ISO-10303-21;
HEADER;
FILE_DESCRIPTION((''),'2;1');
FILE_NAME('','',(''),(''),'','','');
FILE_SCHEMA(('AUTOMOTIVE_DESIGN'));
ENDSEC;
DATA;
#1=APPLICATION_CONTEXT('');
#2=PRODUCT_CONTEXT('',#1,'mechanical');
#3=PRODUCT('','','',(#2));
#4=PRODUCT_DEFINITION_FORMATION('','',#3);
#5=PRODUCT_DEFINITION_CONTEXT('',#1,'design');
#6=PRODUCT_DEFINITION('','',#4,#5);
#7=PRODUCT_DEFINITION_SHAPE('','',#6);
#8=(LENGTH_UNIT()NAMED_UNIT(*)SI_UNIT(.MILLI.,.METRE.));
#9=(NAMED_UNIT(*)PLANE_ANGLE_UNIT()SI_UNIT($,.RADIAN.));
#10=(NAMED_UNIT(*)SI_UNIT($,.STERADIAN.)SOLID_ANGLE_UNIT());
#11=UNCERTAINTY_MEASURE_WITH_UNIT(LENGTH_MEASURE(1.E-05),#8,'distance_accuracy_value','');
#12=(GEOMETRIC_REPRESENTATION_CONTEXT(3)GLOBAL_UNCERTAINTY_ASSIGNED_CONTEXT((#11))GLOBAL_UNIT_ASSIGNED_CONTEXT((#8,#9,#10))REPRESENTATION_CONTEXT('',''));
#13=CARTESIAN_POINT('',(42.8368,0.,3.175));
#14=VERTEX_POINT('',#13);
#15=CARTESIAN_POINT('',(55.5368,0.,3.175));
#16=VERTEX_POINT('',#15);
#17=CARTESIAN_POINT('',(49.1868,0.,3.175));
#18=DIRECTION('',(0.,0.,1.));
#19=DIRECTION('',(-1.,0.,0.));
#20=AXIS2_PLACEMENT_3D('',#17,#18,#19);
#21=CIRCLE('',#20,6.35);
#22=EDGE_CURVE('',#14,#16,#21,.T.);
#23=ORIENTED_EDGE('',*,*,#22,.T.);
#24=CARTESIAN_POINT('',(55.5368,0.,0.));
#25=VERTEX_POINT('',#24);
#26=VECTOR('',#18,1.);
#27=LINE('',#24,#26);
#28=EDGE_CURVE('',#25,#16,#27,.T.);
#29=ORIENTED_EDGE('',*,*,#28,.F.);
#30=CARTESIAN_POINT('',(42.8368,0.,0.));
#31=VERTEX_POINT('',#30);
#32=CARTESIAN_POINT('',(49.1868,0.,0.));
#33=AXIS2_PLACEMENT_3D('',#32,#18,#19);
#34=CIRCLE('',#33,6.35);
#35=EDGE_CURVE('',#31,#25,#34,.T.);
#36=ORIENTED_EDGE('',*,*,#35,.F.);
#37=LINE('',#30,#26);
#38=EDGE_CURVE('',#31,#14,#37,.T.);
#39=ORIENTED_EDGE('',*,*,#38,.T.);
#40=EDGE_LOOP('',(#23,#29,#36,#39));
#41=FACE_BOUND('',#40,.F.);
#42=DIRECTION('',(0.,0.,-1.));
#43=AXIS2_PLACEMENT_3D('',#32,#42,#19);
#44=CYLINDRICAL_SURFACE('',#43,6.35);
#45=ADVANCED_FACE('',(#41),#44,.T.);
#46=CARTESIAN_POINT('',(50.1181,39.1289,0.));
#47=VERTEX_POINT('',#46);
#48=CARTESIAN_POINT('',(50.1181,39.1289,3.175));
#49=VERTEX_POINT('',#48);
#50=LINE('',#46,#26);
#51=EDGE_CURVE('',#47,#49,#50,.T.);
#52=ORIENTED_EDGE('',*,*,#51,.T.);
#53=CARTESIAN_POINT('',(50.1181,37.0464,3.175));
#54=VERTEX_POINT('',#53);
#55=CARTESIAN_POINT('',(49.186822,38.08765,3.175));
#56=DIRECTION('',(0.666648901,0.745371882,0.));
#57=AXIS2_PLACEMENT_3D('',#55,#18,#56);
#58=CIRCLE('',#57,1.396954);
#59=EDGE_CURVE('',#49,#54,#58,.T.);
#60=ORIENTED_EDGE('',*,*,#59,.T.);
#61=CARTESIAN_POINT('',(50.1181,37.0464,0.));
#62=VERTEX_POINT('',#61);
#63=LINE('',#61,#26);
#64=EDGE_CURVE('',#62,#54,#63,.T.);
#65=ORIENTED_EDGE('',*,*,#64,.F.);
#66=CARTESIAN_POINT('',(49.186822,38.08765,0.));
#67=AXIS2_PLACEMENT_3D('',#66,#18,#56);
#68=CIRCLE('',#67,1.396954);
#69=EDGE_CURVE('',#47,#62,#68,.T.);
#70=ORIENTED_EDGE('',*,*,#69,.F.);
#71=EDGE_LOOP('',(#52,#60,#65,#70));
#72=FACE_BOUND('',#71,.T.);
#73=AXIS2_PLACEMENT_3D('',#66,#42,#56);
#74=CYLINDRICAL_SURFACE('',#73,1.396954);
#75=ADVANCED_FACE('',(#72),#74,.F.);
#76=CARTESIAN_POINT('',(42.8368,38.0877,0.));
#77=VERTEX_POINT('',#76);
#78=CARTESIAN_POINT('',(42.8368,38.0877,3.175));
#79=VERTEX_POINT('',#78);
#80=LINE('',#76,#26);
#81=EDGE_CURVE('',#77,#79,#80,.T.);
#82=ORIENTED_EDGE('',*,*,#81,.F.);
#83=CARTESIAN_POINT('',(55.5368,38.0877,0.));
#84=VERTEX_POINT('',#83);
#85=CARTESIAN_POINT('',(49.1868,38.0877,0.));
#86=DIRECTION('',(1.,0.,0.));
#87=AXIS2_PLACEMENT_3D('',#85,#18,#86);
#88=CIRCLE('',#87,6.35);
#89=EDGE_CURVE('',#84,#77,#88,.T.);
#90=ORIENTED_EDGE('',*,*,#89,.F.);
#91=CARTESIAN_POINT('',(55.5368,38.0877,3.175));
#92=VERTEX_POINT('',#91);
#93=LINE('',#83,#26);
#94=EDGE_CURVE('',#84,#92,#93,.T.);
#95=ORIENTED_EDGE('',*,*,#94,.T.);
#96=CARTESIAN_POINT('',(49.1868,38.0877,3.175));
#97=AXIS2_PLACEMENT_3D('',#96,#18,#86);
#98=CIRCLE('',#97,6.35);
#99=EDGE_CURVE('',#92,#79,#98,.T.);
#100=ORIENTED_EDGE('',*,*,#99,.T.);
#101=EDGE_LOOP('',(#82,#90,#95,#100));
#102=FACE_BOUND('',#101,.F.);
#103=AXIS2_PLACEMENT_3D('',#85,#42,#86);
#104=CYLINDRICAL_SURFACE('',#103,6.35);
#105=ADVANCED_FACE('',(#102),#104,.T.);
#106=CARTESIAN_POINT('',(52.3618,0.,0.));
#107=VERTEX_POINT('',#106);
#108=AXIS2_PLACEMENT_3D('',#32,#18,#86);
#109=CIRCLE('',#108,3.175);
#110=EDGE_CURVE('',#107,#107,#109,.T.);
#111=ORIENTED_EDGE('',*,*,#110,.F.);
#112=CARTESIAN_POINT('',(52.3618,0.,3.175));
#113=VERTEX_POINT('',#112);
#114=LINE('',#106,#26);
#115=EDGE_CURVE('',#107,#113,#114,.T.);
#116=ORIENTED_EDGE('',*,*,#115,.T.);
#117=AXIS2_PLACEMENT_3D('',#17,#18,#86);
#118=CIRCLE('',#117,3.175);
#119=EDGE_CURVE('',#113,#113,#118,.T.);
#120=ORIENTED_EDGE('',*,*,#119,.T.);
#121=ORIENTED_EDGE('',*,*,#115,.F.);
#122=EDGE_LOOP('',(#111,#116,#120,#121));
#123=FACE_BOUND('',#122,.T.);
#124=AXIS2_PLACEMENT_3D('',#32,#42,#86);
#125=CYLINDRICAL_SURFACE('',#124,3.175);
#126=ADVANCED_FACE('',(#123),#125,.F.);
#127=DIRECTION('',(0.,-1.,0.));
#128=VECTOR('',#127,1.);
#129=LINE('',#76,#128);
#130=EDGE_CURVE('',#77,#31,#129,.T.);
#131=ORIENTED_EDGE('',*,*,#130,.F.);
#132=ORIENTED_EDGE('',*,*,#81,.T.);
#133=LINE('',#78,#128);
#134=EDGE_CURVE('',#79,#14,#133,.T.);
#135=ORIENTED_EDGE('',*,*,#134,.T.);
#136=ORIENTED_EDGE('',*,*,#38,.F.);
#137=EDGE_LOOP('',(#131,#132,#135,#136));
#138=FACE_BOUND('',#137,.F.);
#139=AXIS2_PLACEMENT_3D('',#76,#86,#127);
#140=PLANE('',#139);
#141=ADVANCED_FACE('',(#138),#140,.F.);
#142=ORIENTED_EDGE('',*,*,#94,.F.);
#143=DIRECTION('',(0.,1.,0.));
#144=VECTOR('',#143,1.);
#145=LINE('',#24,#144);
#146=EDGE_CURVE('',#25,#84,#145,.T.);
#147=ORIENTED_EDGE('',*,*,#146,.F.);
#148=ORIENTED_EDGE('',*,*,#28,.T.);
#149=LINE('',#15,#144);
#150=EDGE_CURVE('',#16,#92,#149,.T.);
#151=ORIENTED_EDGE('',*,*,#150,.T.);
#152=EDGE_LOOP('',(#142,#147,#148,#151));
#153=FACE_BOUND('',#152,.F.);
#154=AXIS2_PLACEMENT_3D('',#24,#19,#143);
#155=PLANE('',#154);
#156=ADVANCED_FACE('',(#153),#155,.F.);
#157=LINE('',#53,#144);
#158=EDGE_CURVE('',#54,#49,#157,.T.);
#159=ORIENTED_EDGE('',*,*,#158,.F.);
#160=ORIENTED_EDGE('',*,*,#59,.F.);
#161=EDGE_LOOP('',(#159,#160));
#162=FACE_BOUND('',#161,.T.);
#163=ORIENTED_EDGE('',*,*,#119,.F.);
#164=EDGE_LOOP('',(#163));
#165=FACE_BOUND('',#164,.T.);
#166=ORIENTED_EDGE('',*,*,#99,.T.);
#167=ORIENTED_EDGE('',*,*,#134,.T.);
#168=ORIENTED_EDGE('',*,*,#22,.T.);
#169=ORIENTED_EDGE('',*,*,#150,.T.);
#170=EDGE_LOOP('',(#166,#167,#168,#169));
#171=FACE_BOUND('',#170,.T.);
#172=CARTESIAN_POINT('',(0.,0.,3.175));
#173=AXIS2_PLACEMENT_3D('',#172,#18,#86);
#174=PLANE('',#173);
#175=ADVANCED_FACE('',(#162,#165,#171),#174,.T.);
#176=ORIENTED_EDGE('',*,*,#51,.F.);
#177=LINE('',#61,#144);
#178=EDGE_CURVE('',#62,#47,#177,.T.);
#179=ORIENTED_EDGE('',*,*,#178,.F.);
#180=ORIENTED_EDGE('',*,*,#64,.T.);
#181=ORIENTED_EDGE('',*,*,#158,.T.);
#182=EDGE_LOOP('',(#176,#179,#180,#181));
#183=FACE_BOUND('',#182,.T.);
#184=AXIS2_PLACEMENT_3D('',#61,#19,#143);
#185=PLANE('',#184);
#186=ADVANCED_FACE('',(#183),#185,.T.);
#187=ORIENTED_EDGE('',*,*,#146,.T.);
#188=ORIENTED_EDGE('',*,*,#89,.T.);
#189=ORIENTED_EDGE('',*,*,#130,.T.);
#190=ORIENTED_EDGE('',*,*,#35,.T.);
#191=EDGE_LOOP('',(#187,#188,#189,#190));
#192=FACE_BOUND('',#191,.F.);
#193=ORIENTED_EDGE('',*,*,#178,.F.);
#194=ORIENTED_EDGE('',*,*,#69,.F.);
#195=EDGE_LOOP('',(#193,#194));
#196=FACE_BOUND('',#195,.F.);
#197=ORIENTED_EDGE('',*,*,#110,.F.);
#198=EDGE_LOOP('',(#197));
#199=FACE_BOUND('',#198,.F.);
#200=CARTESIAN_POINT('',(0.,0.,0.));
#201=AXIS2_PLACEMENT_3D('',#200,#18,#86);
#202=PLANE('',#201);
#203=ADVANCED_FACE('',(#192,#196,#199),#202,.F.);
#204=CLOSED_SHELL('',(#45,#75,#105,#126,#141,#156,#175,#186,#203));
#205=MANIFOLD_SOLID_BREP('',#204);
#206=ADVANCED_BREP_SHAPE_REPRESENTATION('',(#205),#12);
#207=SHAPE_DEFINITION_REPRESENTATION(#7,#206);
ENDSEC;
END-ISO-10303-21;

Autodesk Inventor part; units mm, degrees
ref_plane "YZ Plane" through (0, 0, 0) normal (1, 0, 0) x (0, 1, 0)
ref_plane "XZ Plane" through (0, 0, 0) normal (0, 1, 0) x (-1, 0, 0)
ref_plane "XY Plane" through (0, 0, 0) normal (0, 0, 1) x (1, 0, 0)
sketch "Sketch1" plane through (0, 0, 0) normal (0, 0, 1) x (1, 0, 0)
  circle A0 centre (49.1868, 0) radius 3.175
  arc A1 (50.1181, 39.1289) -> (50.1181, 37.0464) centre (49.1868, 38.0877) ccw
  line L0 (49.1868, 38.0877) -> (49.1868, 0) construction
  line L1 (42.8368, 38.0877) -> (42.8368, 0)
  line L2 (55.5368, 0) -> (55.5368, 38.0877)
  arc A2 (55.5368, 38.0877) -> (42.8368, 38.0877) centre (49.1868, 38.0877) ccw
  arc A3 (42.8368, 0) -> (55.5368, 0) centre (49.1868, 0) ccw
  line L3 (47.7898, 38.0877) -> (50.3298, 38.0877) construction
  line L4 (50.1181, 37.0464) -> (50.1181, 39.1289)
  point P0 (49.1868, 19.0438)
  dimension "d0" = 12.7
  dimension "d3" = 2.794
  dimension "d4" = 2.54
extrude "Extrusion1" add sketch "Sketch1" along normal blind 3.175
